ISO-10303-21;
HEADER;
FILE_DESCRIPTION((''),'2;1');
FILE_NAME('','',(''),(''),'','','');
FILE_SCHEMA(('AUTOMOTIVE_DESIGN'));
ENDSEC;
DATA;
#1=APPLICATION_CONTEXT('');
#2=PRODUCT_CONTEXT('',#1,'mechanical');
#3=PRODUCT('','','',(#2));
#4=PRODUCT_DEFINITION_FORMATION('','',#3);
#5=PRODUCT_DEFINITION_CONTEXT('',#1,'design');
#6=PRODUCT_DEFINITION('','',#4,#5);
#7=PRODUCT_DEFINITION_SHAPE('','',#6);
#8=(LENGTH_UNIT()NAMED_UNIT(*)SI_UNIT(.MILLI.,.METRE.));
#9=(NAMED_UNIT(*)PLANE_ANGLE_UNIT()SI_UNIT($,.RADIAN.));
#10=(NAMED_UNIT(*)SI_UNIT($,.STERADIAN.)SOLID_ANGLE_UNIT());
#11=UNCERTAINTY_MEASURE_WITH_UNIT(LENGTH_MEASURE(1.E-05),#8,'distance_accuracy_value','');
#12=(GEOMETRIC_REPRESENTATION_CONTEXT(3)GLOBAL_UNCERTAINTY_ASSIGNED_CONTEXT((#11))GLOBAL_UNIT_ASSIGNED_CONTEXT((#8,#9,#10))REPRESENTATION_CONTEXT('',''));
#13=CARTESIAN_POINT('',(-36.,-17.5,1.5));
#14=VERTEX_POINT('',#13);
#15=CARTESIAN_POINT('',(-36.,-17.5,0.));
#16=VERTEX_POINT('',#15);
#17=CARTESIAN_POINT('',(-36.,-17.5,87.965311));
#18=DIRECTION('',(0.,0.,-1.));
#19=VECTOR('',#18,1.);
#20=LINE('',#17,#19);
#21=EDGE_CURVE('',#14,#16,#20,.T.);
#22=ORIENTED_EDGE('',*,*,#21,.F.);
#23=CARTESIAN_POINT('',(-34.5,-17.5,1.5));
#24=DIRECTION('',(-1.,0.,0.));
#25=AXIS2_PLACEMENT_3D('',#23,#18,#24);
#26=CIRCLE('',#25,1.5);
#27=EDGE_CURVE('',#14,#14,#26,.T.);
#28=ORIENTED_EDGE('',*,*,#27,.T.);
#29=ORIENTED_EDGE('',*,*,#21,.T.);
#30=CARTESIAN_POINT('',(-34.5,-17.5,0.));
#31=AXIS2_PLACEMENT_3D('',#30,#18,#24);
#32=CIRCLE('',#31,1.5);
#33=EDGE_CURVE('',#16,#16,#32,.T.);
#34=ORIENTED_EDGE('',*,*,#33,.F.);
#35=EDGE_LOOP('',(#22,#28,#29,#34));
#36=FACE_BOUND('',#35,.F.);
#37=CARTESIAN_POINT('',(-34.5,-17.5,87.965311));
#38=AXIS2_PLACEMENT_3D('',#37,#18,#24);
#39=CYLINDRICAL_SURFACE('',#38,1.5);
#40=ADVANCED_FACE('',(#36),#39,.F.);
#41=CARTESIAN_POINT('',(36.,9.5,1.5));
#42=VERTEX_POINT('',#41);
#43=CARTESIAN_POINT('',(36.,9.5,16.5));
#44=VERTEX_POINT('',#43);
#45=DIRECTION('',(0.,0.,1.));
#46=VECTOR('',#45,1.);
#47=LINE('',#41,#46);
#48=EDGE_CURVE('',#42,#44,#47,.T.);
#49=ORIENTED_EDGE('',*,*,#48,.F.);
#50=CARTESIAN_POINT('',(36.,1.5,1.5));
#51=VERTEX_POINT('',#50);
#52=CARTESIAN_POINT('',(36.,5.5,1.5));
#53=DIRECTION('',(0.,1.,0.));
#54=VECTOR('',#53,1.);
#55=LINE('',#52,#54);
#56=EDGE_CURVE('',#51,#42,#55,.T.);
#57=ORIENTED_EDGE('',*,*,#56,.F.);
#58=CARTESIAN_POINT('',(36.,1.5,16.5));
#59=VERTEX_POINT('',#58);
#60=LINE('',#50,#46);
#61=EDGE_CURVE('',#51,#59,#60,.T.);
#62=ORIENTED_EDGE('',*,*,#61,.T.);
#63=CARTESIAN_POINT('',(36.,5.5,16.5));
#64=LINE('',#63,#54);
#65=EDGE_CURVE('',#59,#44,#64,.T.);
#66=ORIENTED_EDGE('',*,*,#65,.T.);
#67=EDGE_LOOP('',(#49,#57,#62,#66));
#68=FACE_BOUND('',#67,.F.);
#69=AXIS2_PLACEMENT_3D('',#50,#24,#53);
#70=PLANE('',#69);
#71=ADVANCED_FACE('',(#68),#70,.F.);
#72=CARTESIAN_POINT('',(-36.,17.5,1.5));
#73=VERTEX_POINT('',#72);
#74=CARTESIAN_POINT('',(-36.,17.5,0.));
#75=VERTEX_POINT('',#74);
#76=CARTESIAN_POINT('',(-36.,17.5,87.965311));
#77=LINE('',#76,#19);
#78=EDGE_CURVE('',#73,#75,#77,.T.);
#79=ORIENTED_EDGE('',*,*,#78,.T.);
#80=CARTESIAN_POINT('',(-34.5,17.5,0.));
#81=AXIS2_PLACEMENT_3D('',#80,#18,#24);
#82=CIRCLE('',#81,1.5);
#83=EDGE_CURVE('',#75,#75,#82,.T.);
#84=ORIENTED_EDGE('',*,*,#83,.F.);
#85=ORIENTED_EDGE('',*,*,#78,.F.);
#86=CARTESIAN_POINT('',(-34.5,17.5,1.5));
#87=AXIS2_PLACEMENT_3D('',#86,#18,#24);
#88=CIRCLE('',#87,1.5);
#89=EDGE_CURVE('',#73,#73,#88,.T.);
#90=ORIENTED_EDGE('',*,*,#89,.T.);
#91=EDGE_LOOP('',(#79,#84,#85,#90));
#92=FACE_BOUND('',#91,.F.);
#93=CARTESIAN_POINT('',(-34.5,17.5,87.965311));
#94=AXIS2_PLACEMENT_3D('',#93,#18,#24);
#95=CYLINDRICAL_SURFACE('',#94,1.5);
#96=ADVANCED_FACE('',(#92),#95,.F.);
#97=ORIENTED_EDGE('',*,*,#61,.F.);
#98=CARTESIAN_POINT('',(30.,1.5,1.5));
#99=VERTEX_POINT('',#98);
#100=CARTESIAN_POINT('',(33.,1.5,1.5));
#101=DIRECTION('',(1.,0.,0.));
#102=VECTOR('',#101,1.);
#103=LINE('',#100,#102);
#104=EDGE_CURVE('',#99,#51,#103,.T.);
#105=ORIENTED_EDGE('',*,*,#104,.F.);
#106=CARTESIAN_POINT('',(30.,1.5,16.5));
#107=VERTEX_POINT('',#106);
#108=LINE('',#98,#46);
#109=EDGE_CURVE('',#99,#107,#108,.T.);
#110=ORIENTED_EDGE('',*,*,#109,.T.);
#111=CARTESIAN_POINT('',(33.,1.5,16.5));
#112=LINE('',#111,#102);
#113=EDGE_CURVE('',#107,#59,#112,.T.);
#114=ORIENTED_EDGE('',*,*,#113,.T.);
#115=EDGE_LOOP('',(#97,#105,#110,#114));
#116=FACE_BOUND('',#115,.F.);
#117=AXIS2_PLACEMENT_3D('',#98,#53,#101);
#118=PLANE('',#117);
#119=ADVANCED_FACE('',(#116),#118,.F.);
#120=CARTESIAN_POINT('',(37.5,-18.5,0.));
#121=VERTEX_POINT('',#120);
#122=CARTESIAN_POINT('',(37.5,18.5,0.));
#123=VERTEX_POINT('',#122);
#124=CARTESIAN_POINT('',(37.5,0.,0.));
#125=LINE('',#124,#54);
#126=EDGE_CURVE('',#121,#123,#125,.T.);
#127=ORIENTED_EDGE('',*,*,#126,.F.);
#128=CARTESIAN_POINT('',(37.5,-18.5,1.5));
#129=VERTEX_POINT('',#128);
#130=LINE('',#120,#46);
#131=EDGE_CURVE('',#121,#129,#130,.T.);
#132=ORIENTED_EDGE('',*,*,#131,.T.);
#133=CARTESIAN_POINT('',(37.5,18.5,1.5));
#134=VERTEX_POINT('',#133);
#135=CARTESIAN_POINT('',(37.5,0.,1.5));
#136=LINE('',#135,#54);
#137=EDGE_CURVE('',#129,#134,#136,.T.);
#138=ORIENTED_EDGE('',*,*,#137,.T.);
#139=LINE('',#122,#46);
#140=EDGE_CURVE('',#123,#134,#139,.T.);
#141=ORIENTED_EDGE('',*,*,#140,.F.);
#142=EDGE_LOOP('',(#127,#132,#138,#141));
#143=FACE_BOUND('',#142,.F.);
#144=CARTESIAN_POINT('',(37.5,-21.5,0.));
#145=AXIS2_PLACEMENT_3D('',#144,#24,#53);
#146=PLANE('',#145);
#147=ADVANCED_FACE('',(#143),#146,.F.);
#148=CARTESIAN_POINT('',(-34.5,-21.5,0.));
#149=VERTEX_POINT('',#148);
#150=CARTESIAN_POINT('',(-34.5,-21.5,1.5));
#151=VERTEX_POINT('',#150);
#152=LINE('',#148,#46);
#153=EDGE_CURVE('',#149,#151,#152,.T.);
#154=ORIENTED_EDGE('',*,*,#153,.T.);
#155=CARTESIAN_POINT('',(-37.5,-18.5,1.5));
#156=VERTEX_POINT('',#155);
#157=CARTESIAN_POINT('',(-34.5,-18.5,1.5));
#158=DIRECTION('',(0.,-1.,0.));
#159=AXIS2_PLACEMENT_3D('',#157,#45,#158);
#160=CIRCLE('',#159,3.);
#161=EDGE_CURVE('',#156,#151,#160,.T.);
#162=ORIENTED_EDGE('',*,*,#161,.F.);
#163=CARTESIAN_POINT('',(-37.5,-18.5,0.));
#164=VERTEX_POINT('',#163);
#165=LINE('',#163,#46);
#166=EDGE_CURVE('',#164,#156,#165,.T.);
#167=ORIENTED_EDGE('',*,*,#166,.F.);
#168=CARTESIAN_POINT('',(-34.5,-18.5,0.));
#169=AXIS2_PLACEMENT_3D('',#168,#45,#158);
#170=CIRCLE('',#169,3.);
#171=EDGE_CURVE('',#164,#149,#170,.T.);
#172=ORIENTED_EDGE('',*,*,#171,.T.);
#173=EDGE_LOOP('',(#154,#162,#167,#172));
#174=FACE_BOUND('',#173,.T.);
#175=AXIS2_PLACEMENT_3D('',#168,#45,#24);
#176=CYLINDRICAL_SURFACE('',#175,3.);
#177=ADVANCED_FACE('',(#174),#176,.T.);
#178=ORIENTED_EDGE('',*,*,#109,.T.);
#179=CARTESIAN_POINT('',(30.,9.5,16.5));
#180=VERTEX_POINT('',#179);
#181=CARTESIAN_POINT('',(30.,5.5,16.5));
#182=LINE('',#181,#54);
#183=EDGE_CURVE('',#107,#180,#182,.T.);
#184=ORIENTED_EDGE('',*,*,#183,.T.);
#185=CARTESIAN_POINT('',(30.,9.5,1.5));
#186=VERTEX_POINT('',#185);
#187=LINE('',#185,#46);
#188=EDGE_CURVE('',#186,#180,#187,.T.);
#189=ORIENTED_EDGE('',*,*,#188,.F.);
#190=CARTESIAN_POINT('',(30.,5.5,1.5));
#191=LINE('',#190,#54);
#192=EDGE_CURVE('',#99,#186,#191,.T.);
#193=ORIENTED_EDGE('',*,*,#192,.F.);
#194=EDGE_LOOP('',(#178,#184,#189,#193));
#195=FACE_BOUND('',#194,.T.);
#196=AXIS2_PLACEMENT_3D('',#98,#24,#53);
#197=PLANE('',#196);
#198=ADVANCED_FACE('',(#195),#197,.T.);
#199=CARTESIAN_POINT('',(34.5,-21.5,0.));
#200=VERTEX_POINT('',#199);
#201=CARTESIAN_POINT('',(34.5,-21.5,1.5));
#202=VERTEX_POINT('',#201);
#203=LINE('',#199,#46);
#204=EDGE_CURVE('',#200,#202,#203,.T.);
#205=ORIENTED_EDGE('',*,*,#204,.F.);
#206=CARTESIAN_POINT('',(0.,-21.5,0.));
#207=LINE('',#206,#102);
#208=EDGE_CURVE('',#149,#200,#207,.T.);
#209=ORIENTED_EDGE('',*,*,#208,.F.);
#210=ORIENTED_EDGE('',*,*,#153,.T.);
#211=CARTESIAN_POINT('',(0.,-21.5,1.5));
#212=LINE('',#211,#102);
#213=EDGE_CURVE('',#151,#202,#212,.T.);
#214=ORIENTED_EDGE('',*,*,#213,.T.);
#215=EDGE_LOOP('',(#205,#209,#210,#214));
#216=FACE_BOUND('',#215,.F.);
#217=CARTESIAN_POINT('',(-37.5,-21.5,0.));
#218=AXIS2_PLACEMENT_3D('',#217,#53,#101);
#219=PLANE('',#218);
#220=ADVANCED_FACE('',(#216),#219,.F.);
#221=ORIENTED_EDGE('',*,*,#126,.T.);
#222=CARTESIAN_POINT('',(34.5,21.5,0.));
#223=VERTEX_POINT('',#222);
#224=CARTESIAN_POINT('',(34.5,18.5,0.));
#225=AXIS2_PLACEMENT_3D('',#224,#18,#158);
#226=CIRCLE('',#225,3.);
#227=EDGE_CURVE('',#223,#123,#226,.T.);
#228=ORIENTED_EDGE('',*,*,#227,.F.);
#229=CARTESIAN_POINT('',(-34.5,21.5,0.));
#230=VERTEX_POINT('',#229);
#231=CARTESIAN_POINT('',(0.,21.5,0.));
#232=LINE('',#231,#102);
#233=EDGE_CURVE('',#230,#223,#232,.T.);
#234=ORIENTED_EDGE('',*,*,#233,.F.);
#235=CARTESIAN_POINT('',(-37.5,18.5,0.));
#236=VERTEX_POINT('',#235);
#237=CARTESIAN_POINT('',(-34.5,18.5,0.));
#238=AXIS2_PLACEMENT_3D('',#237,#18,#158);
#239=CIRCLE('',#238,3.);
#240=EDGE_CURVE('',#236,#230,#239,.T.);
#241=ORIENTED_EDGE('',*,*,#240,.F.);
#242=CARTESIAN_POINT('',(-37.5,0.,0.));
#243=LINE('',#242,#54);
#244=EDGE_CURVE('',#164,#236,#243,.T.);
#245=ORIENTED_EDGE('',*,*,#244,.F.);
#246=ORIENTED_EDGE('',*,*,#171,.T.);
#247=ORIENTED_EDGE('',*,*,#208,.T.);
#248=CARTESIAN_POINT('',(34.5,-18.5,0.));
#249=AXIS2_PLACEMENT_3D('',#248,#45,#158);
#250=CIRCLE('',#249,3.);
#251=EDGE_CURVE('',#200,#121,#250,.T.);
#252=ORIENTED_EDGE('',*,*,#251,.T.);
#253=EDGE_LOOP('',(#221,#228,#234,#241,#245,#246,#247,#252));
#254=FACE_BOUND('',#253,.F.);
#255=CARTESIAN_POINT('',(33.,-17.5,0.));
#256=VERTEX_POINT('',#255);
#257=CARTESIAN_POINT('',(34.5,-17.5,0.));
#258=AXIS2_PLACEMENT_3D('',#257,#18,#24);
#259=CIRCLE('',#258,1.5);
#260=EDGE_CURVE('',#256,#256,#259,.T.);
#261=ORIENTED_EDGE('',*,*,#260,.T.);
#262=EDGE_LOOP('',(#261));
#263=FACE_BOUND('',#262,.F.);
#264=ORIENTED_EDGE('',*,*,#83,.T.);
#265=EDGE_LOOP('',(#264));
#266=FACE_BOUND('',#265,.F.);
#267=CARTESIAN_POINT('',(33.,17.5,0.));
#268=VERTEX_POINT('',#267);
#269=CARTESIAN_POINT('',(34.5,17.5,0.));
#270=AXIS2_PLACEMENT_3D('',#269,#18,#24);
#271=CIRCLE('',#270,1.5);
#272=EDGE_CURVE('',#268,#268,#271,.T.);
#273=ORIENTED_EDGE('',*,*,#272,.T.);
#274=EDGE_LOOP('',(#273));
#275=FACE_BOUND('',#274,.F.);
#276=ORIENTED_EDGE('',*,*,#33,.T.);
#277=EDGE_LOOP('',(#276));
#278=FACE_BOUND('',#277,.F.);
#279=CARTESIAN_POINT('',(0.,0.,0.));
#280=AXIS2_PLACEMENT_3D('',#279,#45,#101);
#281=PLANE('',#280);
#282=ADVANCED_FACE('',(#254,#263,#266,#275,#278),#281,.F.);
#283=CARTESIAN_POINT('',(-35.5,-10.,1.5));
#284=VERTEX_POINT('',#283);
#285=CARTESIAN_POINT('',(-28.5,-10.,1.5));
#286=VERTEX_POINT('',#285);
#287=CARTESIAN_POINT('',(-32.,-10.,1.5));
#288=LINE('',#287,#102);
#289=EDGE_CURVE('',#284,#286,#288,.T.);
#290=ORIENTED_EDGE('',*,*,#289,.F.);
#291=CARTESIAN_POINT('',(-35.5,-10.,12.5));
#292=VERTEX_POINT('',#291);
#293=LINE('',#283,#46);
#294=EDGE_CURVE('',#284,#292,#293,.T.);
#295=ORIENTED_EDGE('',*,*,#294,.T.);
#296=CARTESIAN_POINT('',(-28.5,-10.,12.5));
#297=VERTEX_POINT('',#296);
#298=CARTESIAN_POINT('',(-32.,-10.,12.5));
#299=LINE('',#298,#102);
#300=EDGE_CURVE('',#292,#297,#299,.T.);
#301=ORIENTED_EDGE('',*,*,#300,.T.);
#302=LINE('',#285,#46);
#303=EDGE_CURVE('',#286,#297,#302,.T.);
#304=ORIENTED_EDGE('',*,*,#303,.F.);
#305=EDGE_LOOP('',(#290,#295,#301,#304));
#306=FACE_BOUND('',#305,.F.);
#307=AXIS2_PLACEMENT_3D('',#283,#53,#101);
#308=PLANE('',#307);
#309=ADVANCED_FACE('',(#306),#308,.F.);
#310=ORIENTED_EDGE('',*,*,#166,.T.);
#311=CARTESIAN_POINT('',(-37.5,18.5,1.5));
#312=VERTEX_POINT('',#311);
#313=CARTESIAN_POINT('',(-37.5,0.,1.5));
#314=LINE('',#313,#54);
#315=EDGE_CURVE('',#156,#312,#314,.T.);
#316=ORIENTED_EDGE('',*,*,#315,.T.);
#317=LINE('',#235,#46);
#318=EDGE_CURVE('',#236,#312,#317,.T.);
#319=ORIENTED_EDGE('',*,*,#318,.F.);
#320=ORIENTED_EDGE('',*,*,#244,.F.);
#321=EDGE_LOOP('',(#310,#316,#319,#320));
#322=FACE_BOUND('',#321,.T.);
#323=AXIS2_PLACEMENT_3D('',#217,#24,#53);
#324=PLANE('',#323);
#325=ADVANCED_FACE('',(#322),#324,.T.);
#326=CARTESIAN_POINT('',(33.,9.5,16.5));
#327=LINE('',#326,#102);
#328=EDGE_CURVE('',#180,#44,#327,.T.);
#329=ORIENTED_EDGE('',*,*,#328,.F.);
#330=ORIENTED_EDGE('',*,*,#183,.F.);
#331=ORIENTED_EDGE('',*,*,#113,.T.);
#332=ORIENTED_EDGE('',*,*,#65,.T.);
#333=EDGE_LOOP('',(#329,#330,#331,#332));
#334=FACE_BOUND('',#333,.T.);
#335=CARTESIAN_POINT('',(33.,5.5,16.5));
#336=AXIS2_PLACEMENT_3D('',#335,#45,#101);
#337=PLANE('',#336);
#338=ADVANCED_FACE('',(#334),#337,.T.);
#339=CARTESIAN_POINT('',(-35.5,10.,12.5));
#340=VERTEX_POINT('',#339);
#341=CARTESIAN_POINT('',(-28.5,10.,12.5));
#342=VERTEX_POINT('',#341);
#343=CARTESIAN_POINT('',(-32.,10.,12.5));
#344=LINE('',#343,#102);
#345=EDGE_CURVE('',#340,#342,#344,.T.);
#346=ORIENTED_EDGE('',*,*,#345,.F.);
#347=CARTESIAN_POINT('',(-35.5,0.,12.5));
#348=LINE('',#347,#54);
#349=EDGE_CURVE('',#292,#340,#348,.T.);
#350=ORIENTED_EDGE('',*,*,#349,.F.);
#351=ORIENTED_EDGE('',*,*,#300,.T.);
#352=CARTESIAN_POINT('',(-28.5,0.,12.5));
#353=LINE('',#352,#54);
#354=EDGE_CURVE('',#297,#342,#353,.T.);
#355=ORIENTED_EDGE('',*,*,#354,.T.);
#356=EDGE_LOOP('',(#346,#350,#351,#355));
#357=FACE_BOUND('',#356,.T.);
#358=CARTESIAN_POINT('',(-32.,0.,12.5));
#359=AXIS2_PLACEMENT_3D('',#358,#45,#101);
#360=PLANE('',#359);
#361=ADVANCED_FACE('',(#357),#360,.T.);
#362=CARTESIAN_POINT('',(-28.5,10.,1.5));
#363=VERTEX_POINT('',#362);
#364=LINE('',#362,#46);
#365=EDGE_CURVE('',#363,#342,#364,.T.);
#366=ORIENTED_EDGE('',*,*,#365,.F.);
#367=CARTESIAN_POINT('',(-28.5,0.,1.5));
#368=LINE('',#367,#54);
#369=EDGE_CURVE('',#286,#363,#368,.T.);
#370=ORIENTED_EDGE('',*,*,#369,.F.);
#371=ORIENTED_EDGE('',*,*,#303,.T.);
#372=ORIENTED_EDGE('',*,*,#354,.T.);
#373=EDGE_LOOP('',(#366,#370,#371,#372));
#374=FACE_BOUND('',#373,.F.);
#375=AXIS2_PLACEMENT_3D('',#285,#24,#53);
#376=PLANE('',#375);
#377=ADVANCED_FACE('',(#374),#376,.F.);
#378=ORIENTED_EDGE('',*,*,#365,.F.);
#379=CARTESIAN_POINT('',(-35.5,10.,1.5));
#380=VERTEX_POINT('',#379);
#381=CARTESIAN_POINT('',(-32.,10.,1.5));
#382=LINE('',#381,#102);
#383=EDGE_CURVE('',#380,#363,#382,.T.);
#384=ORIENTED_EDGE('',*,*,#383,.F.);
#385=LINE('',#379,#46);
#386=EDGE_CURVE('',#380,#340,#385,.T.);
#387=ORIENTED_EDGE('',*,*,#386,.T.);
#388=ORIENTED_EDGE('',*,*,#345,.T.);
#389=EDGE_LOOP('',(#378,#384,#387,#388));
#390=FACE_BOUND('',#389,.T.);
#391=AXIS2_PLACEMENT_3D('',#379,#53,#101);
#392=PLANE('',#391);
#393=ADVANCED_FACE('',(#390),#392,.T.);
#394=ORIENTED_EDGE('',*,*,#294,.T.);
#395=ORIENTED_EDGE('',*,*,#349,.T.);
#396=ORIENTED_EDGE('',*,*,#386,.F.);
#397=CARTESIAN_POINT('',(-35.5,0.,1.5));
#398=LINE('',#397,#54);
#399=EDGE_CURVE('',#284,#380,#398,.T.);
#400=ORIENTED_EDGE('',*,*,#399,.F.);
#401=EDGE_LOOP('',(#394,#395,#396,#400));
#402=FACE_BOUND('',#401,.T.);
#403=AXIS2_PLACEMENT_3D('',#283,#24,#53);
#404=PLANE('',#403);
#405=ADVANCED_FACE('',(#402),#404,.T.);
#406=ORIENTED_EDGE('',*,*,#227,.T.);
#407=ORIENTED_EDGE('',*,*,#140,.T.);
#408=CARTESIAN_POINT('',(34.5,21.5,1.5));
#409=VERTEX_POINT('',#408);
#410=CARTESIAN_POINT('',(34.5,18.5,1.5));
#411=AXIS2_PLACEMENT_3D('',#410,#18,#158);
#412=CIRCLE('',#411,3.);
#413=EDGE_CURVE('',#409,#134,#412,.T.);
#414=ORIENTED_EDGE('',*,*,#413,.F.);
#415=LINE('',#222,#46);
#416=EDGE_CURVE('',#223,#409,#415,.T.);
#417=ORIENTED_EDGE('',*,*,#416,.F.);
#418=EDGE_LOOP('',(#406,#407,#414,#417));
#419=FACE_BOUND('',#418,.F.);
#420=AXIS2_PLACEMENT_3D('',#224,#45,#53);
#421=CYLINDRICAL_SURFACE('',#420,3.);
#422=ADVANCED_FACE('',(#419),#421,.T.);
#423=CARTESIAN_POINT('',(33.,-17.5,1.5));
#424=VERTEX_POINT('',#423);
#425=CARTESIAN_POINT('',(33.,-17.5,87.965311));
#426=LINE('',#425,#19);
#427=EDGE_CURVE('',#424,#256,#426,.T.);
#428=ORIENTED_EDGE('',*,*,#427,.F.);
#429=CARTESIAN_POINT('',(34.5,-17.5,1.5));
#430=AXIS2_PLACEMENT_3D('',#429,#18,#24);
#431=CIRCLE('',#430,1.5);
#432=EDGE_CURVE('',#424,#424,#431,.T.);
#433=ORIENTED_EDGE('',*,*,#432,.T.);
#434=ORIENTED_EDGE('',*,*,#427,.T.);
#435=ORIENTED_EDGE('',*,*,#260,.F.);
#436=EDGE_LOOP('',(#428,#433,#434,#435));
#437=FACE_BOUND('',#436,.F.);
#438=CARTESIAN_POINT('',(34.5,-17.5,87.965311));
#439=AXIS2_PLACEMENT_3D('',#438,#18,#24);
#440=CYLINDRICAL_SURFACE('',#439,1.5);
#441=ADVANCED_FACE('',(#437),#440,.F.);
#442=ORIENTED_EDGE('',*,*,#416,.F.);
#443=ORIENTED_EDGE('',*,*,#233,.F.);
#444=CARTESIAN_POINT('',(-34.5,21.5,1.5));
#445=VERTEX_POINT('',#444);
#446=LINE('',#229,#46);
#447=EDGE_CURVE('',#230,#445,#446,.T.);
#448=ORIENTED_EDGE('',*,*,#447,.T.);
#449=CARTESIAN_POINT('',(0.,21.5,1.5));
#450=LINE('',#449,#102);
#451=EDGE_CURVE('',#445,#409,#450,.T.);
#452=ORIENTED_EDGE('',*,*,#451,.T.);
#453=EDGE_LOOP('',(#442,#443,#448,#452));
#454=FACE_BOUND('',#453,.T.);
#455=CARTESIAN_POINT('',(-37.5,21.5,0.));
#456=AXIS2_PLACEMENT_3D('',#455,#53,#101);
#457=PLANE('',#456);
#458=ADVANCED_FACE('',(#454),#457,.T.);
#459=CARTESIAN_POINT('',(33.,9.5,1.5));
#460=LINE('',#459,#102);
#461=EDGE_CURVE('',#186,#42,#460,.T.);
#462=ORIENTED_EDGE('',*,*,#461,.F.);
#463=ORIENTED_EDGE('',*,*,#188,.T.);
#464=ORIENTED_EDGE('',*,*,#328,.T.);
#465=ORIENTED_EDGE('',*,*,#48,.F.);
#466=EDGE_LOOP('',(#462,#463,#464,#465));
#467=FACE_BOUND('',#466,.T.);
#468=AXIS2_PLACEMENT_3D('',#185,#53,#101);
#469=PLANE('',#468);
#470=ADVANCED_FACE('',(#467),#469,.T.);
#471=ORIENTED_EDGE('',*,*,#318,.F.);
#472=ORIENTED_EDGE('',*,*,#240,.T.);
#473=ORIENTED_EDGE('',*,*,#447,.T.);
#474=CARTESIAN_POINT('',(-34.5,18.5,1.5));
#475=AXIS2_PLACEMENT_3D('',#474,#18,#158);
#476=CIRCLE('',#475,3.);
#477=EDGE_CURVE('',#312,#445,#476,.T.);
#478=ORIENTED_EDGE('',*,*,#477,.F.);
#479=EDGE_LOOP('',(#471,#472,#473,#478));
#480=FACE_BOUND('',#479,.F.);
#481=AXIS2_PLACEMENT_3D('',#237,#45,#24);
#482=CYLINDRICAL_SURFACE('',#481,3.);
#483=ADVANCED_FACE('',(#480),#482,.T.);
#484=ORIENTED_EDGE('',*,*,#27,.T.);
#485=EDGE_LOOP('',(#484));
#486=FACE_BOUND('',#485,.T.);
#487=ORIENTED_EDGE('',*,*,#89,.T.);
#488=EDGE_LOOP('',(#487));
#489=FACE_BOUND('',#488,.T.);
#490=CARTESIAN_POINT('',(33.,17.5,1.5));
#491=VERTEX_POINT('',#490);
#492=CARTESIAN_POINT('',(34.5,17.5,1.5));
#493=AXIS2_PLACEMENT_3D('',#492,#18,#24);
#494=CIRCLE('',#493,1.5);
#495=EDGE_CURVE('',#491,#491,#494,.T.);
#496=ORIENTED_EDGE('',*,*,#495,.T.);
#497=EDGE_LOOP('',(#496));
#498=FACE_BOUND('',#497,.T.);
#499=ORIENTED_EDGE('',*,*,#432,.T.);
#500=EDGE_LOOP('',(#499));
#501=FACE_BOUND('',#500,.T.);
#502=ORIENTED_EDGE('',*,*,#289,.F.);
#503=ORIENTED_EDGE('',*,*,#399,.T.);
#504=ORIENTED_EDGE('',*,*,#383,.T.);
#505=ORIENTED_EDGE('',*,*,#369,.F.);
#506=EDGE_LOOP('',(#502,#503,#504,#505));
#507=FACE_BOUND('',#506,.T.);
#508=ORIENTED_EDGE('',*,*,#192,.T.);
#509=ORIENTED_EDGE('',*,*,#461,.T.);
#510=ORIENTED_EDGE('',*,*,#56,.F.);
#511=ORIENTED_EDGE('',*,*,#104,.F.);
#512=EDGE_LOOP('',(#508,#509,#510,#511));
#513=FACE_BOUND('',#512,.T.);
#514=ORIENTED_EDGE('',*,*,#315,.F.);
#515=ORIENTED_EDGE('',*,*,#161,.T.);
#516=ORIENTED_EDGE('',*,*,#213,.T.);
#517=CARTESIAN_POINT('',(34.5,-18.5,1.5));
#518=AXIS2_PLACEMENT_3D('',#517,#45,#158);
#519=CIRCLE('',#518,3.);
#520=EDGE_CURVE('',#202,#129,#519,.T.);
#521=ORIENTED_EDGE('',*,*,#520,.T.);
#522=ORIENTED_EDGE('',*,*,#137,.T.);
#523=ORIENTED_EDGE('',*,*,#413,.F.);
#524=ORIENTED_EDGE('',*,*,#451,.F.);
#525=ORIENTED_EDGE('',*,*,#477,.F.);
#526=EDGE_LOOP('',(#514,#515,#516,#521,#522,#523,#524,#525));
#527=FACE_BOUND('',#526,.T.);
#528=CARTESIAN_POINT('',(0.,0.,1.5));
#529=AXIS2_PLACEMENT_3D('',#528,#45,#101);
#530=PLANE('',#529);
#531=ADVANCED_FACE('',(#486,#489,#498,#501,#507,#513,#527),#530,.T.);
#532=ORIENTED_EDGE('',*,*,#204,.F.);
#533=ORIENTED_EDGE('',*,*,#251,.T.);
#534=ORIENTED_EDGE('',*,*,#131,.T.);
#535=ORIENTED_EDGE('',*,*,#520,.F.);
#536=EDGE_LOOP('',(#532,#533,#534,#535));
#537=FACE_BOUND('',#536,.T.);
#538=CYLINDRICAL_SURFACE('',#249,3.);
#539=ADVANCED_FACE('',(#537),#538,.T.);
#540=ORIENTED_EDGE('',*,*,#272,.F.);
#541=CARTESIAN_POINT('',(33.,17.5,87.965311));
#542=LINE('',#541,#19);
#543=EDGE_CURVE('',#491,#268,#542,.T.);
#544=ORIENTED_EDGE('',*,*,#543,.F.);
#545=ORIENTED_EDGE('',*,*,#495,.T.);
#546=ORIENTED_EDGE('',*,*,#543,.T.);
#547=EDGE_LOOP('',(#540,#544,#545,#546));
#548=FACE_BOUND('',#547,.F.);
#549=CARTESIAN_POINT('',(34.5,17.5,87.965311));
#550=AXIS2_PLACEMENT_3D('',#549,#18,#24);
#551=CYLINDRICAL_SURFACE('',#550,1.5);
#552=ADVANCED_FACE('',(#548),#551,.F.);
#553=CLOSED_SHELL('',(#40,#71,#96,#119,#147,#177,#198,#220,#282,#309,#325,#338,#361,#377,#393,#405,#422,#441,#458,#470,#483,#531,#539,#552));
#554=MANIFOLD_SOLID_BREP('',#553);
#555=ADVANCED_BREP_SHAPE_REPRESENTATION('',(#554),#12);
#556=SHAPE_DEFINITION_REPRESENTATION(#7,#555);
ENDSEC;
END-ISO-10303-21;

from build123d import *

# Parameters (mm, degrees)
F0_W     = 75
F0_H     = 43
F1_DEPTH = 1.5
F3_D     = 3
F4_R     = 3
F5_W     = 7
F5_H     = 20
F6_DEPTH = 11
F7_W     = 6
F7_H     = 8
F8_DEPTH = 15


with BuildPart() as f1:
    # F0 (on Top) → F1 (new body)
    with BuildSketch(Plane.XY):
        Rectangle(F0_W, F0_H)
    extrude(amount=F1_DEPTH)

    # F3 (through all)
    with Locations(Plane.XY.offset(1.5)):
        with Locations((-34.5, 17.5), (34.5, 17.5), (34.5, -17.5), (-34.5, -17.5)):
            Hole(F3_D / 2)

    # F4
    f4_edges = [f1.edges().sort_by_distance(p)[0] for p in [
        (-37.5, -21.5, 0.75),
        (37.5, -21.5, 0.75),
        (-37.5, 21.5, 0.75),
        (37.5, 21.5, 0.75),
    ]]
    fillet(f4_edges, radius=F4_R)

    # F5 (on face) → F6 (join)
    with BuildSketch(Plane.XY.offset(1.5)):
        with Locations((-32, 0)):
            Rectangle(F5_W, F5_H)
    extrude(amount=F6_DEPTH)

    # F7 (on face) → F8 (join)
    with BuildSketch(Plane.XY.offset(1.5)):
        with Locations((33, 5.5)):
            Rectangle(F7_W, F7_H)
    extrude(amount=F8_DEPTH)


solid = f1.part
